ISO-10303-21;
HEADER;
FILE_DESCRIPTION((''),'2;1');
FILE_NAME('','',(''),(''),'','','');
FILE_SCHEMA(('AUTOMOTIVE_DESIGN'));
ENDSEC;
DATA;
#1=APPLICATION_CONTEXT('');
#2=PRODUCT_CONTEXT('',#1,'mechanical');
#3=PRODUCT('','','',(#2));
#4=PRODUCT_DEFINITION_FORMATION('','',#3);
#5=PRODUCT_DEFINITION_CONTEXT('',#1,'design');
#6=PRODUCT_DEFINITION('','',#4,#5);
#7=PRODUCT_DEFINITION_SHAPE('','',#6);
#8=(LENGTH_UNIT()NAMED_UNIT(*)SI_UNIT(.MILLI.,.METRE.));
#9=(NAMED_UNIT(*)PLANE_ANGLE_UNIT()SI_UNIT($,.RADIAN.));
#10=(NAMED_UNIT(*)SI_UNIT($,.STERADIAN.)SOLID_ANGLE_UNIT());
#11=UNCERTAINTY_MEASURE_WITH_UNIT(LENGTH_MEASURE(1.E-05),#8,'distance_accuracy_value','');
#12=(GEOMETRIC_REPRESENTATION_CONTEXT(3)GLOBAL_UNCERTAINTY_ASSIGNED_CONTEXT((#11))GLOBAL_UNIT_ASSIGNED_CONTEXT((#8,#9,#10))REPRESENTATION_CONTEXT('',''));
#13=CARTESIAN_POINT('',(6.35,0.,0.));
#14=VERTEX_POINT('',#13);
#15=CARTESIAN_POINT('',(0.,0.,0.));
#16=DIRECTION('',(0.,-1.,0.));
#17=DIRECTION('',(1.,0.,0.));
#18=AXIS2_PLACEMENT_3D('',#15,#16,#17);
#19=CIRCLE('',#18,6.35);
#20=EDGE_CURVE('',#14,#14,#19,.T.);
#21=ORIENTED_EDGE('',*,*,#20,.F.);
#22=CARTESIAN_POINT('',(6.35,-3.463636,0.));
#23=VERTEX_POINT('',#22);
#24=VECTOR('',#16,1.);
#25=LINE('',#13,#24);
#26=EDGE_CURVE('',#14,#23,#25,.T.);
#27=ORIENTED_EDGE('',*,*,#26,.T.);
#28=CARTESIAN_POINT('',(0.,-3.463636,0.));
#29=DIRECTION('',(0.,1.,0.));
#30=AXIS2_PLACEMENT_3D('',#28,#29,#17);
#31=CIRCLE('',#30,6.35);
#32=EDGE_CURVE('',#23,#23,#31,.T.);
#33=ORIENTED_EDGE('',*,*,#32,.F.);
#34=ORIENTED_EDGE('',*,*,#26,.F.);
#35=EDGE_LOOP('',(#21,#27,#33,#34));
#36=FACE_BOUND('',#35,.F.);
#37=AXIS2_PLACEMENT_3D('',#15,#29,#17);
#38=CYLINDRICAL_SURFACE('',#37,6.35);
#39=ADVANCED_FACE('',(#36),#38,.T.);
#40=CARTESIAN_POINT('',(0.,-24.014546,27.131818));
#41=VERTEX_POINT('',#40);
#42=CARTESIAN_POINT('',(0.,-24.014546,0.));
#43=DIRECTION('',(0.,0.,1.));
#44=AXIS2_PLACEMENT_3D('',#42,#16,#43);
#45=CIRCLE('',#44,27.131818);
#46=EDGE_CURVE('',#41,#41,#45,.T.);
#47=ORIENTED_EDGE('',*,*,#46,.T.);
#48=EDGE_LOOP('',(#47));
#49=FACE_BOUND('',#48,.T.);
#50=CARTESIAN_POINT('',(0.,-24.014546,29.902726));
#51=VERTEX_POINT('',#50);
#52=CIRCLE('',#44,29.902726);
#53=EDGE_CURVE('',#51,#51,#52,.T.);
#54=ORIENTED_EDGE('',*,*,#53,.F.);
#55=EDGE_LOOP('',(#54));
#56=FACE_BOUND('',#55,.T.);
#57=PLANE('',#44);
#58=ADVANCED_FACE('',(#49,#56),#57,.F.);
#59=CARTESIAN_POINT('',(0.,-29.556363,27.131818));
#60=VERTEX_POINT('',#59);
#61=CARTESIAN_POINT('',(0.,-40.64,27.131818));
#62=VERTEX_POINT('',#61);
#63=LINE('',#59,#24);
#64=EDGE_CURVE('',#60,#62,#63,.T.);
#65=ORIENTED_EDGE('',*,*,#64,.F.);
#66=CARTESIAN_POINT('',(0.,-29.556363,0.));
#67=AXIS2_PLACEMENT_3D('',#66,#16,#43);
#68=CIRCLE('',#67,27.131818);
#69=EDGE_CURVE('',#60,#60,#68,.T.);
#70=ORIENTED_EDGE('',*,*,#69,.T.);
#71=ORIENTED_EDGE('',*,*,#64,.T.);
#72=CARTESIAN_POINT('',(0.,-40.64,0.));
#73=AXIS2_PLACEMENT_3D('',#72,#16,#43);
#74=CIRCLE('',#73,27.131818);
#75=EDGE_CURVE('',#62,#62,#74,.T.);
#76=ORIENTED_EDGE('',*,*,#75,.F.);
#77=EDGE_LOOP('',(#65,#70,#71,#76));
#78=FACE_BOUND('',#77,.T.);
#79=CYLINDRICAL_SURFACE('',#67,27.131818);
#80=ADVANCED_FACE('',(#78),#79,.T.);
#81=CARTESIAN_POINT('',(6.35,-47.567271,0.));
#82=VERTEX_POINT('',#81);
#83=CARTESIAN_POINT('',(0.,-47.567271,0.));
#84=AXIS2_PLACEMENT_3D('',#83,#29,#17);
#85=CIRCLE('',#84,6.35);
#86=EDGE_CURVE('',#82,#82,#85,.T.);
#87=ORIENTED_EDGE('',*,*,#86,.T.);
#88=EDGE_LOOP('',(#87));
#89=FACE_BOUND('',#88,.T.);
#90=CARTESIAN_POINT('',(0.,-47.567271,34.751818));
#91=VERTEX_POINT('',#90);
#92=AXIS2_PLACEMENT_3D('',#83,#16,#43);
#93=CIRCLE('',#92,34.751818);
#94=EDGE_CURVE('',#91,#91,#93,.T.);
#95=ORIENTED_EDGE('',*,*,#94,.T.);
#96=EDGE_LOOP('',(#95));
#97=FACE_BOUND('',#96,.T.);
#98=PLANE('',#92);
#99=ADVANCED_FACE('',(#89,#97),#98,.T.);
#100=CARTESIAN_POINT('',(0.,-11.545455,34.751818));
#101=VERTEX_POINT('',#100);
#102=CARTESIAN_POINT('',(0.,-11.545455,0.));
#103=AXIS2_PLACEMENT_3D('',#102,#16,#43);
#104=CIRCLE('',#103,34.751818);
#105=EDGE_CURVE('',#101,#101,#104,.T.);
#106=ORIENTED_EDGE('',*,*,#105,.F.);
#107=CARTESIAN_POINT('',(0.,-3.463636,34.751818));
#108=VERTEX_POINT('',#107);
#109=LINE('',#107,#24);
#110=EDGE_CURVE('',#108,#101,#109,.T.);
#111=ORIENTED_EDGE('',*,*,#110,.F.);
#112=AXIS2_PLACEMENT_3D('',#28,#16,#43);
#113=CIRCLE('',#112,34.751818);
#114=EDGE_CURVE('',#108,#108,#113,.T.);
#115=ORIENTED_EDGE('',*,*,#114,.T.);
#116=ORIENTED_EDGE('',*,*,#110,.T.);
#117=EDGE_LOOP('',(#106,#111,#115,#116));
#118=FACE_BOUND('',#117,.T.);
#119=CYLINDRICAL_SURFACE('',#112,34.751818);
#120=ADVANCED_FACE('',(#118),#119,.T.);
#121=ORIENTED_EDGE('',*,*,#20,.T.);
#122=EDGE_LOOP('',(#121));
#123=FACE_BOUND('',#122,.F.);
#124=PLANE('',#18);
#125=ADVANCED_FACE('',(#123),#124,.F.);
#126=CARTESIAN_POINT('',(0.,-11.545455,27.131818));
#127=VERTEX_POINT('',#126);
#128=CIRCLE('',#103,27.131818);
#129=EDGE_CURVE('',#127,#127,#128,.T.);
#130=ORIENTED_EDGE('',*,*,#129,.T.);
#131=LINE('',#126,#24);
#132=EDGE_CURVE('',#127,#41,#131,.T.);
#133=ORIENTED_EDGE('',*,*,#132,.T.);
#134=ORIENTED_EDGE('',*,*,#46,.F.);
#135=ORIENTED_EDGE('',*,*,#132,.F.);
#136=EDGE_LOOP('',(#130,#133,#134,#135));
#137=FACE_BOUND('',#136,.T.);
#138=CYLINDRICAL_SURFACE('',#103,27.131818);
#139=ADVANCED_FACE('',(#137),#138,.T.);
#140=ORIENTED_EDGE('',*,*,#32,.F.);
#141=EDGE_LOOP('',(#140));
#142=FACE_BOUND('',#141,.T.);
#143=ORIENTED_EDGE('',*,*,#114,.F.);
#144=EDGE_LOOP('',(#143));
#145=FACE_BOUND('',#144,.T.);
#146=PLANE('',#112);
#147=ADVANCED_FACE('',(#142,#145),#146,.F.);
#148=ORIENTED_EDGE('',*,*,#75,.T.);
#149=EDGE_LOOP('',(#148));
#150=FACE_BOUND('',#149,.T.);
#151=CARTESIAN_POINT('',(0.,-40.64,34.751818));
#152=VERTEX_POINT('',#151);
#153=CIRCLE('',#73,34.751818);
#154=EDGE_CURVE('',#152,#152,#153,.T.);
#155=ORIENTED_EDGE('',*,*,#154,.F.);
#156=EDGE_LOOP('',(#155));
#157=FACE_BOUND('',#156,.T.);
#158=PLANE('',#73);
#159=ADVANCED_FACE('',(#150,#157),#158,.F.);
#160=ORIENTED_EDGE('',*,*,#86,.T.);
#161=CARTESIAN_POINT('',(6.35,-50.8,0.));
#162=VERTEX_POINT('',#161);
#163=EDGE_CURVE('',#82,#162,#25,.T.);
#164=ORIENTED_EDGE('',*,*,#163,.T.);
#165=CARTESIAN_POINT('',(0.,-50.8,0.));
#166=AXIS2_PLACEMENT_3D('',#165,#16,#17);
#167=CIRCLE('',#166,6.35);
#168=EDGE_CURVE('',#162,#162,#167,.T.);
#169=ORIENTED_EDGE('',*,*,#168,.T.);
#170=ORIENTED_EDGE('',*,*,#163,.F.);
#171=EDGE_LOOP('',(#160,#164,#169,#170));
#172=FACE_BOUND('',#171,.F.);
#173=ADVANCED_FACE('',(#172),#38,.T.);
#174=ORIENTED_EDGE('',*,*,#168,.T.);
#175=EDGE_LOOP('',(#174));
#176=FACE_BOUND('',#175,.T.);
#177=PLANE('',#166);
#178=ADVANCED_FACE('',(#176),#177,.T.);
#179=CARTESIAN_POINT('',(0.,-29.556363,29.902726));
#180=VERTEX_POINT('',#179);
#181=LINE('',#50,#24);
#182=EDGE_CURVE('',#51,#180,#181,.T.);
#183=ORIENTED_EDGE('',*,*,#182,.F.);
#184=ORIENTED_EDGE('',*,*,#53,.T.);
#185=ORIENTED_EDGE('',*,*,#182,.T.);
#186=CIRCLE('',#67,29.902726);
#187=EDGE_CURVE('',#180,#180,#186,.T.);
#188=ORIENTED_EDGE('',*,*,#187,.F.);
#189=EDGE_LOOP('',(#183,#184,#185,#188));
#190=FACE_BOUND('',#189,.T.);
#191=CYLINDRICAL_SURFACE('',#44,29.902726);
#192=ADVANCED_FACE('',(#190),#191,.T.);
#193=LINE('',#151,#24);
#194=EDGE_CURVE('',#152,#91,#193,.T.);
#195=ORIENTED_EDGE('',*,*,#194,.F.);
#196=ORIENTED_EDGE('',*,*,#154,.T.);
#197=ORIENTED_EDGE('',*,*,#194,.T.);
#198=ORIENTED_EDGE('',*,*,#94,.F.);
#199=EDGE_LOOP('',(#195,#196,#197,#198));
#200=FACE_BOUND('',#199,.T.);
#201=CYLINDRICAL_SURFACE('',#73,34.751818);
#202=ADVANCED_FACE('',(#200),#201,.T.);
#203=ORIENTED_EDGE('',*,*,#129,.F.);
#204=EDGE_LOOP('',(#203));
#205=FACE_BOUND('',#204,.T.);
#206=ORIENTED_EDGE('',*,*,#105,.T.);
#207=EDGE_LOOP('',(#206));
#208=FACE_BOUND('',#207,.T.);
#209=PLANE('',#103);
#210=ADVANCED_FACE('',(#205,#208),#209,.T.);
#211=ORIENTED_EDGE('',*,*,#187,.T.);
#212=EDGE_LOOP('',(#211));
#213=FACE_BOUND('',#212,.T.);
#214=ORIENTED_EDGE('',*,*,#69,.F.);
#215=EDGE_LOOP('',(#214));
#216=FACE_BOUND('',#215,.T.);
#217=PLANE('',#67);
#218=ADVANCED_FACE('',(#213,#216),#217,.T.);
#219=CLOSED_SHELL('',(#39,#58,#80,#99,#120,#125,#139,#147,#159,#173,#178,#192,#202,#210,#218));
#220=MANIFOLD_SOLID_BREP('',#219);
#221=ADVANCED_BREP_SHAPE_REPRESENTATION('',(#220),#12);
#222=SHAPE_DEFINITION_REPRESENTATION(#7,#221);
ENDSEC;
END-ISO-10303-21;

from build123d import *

# Parameters (mm, degrees)
F0_R     = 6.35
F1_DEPTH = 50.8


with BuildPart() as f1:
    # F0 (on Front) → F1 (new body)
    with BuildSketch(Plane.XZ):
        Circle(F0_R)
    extrude(amount=F1_DEPTH)

    # F2 (on Right) → F3 (revolve)
    with BuildSketch(Plane.YZ):
        Polygon((-11.545455, 0), (-3.463636, 0), (-3.463636, 34.751818), (-11.545455, 34.751818), (-11.545455, 27.131818), (-24.014546, 27.131818), (-24.014546, 29.902726), (-29.556363, 29.902726), (-29.556363, 27.131818), (-40.64, 27.131818), (-40.64, 34.751818), (-47.567271, 34.751818), (-47.567271, 27.131818), (-47.567271, 0), (-40.64, 0), align=None)
    revolve(axis=Axis((0, -29.556363, 0), (0, -1, 0)))


solid = f1.part
